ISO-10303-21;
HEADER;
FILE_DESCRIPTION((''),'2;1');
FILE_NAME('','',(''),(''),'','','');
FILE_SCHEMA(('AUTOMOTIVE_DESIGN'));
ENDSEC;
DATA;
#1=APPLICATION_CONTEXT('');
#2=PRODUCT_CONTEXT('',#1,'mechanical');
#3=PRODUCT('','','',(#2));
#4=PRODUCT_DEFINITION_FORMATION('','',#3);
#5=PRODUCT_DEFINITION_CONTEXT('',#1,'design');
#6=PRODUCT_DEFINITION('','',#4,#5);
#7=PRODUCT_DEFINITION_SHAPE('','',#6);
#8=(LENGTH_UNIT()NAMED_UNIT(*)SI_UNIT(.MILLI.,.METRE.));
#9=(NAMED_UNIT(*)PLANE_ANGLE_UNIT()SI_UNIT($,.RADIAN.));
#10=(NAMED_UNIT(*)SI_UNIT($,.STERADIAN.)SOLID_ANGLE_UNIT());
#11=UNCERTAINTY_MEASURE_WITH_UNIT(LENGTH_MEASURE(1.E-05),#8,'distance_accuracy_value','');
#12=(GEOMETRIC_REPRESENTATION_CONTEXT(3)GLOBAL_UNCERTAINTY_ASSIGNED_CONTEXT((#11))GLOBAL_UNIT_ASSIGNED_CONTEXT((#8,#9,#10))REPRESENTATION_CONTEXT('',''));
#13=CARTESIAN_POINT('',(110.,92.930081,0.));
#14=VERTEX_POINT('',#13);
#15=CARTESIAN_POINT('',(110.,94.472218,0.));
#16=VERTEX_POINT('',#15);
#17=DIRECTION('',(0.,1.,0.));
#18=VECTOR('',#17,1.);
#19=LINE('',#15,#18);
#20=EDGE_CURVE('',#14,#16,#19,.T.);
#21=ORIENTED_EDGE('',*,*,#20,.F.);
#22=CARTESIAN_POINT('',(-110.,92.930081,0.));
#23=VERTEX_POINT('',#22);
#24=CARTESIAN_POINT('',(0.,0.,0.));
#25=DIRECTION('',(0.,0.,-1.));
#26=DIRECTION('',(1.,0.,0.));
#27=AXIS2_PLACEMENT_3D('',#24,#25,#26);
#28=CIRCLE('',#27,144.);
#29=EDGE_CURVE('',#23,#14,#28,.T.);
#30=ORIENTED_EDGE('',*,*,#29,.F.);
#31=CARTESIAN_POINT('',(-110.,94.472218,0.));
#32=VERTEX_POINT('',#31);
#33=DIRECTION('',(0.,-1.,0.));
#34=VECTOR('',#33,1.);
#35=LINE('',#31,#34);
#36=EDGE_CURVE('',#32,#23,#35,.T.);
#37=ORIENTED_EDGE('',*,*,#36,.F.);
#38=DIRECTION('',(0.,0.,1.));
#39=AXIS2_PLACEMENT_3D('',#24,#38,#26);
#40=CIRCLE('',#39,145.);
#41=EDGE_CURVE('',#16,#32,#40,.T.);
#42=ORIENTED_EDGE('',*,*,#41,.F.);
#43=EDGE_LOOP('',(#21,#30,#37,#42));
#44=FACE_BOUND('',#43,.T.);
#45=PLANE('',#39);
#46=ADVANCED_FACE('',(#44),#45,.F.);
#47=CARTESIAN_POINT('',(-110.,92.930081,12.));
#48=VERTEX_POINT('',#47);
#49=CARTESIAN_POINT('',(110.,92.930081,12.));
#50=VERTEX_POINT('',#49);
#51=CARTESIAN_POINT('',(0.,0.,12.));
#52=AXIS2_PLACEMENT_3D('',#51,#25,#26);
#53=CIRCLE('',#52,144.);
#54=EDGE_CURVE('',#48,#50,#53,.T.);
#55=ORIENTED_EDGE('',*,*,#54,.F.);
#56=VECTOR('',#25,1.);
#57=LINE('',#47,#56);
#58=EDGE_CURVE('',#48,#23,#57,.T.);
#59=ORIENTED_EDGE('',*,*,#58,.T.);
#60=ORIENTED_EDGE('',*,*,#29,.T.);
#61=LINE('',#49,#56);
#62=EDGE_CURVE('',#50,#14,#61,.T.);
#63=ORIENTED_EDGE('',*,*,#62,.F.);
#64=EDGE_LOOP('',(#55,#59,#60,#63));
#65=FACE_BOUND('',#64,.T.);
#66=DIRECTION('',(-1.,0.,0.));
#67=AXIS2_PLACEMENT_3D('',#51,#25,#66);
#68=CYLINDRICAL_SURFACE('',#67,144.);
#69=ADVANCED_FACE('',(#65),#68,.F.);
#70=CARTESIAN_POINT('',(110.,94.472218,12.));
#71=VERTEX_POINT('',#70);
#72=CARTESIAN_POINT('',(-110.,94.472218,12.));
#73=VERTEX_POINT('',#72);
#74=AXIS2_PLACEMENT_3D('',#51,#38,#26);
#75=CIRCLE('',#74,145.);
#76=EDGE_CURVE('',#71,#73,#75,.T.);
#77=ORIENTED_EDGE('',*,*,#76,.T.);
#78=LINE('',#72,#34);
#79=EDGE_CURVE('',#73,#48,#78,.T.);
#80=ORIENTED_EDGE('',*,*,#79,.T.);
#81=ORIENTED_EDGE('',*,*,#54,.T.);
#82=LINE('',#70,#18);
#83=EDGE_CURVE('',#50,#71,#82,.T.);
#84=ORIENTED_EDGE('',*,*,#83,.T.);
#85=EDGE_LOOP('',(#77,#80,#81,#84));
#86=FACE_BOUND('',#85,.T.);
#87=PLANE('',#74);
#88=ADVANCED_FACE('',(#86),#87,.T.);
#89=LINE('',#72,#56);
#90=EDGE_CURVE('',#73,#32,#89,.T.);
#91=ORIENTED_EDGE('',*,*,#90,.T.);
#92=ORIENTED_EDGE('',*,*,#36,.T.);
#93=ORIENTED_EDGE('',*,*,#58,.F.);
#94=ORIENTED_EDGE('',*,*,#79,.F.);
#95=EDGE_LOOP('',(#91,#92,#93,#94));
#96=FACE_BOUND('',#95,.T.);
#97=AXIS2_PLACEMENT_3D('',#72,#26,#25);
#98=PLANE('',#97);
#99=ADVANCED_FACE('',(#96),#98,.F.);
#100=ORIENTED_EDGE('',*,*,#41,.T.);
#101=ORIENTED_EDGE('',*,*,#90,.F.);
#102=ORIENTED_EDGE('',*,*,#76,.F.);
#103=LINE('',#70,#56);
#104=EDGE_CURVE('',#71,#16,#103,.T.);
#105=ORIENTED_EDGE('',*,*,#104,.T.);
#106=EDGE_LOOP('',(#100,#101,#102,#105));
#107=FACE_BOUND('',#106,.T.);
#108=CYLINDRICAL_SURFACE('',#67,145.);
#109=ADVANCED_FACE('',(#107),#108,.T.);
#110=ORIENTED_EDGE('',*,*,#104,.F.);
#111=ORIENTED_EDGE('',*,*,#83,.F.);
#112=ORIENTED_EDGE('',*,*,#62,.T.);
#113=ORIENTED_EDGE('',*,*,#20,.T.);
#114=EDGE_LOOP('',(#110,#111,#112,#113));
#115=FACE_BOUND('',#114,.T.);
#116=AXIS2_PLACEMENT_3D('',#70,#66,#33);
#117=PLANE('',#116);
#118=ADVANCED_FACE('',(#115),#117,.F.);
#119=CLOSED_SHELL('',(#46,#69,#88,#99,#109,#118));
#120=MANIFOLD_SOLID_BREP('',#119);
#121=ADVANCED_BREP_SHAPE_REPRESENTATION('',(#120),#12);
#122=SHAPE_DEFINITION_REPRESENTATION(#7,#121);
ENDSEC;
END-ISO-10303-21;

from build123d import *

# Parameters (mm, degrees)
BOSS_EXTRU_1_DEPTH = 12


with BuildPart() as part:
    # Esquisse2 → Boss.-Extru.1 (new body)
    with BuildSketch(Plane.XY):
        with BuildLine():
            Line((-110, 94.472218138), (-110, 92.930081244))
            ThreePointArc((-110, 92.930081244), (0, 144), (110, 92.930081244))
            Line((110, 92.930081244), (110, 94.472218138))
            ThreePointArc((110, 94.472218138), (0, 145), (-110, 94.472218138))
        make_face()
    extrude(amount=BOSS_EXTRU_1_DEPTH)


solid = part.part
